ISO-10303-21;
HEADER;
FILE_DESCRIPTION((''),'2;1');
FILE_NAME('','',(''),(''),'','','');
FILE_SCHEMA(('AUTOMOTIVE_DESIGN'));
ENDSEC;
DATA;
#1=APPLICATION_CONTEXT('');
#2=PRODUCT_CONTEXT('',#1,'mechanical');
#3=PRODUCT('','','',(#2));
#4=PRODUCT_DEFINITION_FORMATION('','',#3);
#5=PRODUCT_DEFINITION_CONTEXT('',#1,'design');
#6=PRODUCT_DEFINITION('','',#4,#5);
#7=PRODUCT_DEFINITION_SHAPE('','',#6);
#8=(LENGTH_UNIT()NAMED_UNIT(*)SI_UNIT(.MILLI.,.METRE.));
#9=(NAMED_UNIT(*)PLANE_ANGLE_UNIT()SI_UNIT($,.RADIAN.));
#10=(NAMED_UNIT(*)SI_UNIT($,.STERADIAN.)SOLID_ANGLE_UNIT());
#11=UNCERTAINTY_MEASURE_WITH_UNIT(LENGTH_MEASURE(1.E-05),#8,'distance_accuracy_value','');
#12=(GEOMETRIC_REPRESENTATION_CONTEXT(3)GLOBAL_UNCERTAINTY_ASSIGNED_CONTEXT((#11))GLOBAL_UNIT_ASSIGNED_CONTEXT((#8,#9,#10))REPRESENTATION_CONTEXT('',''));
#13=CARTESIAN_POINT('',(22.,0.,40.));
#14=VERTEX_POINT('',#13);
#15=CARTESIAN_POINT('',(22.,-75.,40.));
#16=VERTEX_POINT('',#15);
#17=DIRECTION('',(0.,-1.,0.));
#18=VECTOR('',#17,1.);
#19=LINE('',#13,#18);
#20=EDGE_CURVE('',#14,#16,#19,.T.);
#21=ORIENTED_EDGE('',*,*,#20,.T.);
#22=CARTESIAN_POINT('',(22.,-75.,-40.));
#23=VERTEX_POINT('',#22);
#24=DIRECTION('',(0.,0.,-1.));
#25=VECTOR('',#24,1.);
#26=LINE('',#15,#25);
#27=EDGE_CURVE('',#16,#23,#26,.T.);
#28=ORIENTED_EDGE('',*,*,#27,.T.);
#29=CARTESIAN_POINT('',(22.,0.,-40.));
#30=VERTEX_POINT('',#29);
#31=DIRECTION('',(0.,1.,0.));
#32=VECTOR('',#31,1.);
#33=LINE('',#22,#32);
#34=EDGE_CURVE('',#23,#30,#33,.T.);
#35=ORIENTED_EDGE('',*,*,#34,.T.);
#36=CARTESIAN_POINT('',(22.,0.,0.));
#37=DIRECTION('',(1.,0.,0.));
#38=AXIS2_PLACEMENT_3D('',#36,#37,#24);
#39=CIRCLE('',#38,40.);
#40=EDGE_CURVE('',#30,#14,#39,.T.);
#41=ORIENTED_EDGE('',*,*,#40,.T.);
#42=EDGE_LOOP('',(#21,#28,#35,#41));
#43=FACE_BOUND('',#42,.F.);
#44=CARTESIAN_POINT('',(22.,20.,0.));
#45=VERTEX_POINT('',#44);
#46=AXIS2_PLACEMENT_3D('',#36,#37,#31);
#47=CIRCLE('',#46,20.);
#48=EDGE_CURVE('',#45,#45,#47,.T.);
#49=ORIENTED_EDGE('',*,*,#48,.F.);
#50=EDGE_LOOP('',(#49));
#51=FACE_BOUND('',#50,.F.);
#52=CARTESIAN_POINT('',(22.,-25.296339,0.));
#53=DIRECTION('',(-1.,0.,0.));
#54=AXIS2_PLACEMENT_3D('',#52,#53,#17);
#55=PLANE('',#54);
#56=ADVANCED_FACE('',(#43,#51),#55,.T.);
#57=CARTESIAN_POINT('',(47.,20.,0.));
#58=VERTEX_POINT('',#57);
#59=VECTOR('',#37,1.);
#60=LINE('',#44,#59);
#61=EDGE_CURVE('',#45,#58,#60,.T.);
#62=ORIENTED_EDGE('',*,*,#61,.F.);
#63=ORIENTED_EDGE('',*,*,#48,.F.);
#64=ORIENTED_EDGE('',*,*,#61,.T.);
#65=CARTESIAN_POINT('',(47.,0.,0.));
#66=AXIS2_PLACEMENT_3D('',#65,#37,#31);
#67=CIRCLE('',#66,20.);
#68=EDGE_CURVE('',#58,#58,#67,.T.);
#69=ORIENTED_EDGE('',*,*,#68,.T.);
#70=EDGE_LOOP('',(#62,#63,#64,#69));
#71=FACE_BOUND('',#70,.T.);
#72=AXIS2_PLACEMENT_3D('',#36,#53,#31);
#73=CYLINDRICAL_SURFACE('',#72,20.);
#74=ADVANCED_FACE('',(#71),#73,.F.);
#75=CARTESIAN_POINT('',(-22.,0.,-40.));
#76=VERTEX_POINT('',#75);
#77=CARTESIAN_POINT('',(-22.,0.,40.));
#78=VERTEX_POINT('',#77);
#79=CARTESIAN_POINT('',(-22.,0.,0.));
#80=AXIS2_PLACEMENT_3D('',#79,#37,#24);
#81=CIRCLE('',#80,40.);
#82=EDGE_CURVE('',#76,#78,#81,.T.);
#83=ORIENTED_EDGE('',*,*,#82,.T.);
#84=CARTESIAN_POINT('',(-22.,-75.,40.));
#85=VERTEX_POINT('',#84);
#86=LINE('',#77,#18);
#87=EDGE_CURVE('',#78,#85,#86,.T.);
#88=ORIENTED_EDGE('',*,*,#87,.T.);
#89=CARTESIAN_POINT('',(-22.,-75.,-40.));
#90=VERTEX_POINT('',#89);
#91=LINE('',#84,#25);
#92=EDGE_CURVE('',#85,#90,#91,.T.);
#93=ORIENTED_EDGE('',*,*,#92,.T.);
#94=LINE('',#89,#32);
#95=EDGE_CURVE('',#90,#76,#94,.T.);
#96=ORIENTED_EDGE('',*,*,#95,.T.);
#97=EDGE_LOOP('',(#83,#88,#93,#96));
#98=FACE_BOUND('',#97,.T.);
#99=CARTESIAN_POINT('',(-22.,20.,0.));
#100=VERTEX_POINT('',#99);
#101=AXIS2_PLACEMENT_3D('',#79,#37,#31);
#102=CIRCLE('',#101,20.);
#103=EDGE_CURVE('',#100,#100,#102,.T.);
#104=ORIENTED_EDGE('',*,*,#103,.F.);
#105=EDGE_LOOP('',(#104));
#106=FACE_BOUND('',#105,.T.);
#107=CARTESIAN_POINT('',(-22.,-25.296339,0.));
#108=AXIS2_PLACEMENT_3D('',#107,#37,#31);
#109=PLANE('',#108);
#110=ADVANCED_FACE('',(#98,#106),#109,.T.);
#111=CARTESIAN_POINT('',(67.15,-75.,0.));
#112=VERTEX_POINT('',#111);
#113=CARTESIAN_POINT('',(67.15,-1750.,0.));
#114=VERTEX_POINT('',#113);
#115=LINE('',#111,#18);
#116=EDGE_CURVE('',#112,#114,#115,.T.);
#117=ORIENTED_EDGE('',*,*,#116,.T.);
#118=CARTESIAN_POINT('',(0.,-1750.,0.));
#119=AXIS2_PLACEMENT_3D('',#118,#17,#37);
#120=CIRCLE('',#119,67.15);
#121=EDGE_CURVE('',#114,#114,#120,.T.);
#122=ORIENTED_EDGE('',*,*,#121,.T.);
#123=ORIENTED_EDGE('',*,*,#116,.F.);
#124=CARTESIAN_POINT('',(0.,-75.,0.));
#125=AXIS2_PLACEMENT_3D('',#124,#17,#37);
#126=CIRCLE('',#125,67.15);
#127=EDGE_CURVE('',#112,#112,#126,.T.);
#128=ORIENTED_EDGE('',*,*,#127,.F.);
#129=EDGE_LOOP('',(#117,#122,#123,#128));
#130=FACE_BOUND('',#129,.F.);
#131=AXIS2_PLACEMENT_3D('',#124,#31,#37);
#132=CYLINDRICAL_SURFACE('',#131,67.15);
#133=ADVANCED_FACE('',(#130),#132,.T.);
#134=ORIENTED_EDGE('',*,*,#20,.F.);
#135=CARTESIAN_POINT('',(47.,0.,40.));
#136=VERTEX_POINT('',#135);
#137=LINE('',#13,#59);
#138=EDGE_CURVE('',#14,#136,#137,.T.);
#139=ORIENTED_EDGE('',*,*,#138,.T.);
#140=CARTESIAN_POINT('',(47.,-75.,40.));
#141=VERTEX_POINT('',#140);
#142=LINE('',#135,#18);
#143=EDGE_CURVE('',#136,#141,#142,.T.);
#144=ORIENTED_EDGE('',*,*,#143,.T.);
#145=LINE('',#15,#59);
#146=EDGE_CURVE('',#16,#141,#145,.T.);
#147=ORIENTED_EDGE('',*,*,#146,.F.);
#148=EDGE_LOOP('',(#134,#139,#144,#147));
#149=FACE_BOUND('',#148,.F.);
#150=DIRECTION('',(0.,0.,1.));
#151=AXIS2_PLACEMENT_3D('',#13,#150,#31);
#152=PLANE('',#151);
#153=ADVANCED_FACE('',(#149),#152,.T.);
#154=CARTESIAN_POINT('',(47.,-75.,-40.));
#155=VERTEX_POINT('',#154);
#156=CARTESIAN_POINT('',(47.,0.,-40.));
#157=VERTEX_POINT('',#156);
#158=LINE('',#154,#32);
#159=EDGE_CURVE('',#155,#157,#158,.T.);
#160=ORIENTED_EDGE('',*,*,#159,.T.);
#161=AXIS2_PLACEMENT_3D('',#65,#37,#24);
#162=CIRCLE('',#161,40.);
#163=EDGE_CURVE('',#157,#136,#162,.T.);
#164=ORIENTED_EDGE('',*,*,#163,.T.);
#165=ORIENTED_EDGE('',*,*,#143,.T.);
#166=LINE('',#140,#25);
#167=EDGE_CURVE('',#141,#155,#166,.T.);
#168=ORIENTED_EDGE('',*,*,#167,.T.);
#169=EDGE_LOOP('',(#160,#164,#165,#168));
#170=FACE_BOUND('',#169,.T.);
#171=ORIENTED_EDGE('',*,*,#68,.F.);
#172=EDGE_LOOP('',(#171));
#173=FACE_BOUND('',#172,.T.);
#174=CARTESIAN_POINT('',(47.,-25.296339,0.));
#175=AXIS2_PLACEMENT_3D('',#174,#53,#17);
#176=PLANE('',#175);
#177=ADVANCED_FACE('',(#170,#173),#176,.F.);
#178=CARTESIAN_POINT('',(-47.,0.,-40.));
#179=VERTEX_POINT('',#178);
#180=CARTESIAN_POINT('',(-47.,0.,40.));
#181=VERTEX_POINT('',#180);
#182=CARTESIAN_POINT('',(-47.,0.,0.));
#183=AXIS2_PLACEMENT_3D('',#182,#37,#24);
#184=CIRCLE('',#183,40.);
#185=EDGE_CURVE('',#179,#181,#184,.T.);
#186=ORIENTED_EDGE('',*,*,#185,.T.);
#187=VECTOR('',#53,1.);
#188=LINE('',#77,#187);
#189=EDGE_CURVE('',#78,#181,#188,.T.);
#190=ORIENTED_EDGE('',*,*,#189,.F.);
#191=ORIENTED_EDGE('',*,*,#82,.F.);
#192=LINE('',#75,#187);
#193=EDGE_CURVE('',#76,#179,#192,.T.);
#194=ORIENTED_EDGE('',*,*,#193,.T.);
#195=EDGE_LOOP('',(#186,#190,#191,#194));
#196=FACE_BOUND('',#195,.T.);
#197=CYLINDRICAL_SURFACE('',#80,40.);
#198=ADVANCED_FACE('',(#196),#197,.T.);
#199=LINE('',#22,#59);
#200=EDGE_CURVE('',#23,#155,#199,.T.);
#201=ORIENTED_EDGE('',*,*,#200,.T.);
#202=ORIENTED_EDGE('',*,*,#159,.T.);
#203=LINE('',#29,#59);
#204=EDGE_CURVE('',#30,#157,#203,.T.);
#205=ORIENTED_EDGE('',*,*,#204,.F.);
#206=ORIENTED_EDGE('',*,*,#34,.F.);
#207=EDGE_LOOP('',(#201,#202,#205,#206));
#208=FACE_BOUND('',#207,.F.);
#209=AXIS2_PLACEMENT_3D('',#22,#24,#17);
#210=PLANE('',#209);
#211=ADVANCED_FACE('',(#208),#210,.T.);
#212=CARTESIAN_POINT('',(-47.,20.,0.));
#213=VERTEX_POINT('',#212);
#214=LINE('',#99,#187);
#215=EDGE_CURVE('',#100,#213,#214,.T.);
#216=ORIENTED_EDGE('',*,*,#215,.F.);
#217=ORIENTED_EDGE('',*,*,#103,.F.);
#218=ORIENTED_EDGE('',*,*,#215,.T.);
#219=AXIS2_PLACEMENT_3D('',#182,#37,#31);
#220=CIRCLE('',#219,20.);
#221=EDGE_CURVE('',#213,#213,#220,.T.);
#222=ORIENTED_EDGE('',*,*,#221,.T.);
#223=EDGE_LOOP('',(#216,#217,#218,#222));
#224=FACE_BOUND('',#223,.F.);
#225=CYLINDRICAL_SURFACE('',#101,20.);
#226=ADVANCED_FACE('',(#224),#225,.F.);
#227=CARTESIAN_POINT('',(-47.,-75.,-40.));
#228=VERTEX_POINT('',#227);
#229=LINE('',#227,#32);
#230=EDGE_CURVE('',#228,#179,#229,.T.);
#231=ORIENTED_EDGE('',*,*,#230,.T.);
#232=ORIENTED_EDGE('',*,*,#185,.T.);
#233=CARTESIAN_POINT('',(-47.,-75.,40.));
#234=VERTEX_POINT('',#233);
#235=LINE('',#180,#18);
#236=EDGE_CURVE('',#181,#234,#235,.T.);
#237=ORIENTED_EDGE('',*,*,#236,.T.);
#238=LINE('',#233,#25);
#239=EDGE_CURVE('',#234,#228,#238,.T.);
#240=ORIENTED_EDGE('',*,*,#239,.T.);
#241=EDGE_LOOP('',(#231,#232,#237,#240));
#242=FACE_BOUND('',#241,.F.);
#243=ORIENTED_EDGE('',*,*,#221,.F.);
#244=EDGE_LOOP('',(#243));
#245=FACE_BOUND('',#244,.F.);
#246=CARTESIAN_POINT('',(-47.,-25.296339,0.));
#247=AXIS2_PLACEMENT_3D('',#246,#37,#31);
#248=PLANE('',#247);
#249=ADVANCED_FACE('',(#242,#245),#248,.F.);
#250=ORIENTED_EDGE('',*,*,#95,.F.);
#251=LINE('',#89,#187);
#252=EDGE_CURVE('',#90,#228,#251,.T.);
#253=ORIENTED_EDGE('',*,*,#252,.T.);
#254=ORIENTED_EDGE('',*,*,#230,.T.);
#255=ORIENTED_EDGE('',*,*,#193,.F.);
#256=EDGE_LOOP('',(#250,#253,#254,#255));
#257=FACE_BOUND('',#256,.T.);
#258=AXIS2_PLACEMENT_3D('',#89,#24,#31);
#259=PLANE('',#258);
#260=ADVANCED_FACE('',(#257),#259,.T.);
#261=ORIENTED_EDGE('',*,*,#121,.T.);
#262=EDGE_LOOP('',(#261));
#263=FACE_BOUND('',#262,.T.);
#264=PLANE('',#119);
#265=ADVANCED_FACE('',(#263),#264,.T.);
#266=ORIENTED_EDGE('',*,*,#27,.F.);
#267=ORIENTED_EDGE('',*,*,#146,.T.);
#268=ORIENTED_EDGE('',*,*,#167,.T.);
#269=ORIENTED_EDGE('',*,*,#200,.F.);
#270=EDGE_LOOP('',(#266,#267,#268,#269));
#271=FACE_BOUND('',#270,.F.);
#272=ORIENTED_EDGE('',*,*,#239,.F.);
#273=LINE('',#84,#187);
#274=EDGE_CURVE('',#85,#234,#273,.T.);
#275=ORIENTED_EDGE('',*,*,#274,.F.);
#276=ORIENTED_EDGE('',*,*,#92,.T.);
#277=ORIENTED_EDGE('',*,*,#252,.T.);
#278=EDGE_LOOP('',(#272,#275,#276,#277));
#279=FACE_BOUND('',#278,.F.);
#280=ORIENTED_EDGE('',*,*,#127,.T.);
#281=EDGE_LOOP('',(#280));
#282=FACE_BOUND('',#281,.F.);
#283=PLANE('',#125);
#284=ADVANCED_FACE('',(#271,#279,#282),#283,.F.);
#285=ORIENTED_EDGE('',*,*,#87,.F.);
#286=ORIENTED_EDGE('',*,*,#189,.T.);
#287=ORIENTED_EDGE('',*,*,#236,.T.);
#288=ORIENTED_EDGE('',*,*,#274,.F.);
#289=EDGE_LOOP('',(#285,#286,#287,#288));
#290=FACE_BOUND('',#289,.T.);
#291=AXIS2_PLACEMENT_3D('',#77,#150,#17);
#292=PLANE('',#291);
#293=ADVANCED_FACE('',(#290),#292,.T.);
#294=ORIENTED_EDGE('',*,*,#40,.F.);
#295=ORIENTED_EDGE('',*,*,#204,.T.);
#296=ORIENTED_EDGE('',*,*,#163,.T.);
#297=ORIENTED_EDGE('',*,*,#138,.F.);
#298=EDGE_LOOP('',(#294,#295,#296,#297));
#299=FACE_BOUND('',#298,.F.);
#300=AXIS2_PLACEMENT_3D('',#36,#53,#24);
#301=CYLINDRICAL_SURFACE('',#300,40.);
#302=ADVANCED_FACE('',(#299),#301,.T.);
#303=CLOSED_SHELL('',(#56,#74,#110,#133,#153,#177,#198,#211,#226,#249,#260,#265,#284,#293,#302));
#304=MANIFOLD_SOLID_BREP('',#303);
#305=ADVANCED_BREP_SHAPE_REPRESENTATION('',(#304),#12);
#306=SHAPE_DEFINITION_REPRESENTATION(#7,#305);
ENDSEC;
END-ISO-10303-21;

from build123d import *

# Parameters (mm, degrees)
F2_R     = 20
F3_DEPTH = 25
F6_R     = 67.15
F7_DEPTH = 1675


with BuildPart() as f3:
    # F2 (on offset) → F3 (new body)
    with BuildSketch(Plane.YZ.offset(-22)):
        with BuildLine():
            Line((0, 40), (-75, 40))
            Line((-75, 40), (-75, -40))
            Line((-75, -40), (0, -40))
            ThreePointArc((0, -40), (40, 0), (0, 40))
        make_face()
        Circle(F2_R, mode=Mode.SUBTRACT)
    extrude(amount=-F3_DEPTH)


with BuildPart() as f5_1:
    # F5: instance of F3
    add(f3.part.mirror(Plane.YZ))


with BuildPart() as f3_1:
    add(f3.part)

    add(f5_1.part)  # F7 merges F5_1
    # F6 (on face) → F7 (join, through all)
    with BuildSketch(Plane.XZ.offset(75)):
        Circle(F6_R)
    extrude(amount=F7_DEPTH)


solid = f3_1.part
